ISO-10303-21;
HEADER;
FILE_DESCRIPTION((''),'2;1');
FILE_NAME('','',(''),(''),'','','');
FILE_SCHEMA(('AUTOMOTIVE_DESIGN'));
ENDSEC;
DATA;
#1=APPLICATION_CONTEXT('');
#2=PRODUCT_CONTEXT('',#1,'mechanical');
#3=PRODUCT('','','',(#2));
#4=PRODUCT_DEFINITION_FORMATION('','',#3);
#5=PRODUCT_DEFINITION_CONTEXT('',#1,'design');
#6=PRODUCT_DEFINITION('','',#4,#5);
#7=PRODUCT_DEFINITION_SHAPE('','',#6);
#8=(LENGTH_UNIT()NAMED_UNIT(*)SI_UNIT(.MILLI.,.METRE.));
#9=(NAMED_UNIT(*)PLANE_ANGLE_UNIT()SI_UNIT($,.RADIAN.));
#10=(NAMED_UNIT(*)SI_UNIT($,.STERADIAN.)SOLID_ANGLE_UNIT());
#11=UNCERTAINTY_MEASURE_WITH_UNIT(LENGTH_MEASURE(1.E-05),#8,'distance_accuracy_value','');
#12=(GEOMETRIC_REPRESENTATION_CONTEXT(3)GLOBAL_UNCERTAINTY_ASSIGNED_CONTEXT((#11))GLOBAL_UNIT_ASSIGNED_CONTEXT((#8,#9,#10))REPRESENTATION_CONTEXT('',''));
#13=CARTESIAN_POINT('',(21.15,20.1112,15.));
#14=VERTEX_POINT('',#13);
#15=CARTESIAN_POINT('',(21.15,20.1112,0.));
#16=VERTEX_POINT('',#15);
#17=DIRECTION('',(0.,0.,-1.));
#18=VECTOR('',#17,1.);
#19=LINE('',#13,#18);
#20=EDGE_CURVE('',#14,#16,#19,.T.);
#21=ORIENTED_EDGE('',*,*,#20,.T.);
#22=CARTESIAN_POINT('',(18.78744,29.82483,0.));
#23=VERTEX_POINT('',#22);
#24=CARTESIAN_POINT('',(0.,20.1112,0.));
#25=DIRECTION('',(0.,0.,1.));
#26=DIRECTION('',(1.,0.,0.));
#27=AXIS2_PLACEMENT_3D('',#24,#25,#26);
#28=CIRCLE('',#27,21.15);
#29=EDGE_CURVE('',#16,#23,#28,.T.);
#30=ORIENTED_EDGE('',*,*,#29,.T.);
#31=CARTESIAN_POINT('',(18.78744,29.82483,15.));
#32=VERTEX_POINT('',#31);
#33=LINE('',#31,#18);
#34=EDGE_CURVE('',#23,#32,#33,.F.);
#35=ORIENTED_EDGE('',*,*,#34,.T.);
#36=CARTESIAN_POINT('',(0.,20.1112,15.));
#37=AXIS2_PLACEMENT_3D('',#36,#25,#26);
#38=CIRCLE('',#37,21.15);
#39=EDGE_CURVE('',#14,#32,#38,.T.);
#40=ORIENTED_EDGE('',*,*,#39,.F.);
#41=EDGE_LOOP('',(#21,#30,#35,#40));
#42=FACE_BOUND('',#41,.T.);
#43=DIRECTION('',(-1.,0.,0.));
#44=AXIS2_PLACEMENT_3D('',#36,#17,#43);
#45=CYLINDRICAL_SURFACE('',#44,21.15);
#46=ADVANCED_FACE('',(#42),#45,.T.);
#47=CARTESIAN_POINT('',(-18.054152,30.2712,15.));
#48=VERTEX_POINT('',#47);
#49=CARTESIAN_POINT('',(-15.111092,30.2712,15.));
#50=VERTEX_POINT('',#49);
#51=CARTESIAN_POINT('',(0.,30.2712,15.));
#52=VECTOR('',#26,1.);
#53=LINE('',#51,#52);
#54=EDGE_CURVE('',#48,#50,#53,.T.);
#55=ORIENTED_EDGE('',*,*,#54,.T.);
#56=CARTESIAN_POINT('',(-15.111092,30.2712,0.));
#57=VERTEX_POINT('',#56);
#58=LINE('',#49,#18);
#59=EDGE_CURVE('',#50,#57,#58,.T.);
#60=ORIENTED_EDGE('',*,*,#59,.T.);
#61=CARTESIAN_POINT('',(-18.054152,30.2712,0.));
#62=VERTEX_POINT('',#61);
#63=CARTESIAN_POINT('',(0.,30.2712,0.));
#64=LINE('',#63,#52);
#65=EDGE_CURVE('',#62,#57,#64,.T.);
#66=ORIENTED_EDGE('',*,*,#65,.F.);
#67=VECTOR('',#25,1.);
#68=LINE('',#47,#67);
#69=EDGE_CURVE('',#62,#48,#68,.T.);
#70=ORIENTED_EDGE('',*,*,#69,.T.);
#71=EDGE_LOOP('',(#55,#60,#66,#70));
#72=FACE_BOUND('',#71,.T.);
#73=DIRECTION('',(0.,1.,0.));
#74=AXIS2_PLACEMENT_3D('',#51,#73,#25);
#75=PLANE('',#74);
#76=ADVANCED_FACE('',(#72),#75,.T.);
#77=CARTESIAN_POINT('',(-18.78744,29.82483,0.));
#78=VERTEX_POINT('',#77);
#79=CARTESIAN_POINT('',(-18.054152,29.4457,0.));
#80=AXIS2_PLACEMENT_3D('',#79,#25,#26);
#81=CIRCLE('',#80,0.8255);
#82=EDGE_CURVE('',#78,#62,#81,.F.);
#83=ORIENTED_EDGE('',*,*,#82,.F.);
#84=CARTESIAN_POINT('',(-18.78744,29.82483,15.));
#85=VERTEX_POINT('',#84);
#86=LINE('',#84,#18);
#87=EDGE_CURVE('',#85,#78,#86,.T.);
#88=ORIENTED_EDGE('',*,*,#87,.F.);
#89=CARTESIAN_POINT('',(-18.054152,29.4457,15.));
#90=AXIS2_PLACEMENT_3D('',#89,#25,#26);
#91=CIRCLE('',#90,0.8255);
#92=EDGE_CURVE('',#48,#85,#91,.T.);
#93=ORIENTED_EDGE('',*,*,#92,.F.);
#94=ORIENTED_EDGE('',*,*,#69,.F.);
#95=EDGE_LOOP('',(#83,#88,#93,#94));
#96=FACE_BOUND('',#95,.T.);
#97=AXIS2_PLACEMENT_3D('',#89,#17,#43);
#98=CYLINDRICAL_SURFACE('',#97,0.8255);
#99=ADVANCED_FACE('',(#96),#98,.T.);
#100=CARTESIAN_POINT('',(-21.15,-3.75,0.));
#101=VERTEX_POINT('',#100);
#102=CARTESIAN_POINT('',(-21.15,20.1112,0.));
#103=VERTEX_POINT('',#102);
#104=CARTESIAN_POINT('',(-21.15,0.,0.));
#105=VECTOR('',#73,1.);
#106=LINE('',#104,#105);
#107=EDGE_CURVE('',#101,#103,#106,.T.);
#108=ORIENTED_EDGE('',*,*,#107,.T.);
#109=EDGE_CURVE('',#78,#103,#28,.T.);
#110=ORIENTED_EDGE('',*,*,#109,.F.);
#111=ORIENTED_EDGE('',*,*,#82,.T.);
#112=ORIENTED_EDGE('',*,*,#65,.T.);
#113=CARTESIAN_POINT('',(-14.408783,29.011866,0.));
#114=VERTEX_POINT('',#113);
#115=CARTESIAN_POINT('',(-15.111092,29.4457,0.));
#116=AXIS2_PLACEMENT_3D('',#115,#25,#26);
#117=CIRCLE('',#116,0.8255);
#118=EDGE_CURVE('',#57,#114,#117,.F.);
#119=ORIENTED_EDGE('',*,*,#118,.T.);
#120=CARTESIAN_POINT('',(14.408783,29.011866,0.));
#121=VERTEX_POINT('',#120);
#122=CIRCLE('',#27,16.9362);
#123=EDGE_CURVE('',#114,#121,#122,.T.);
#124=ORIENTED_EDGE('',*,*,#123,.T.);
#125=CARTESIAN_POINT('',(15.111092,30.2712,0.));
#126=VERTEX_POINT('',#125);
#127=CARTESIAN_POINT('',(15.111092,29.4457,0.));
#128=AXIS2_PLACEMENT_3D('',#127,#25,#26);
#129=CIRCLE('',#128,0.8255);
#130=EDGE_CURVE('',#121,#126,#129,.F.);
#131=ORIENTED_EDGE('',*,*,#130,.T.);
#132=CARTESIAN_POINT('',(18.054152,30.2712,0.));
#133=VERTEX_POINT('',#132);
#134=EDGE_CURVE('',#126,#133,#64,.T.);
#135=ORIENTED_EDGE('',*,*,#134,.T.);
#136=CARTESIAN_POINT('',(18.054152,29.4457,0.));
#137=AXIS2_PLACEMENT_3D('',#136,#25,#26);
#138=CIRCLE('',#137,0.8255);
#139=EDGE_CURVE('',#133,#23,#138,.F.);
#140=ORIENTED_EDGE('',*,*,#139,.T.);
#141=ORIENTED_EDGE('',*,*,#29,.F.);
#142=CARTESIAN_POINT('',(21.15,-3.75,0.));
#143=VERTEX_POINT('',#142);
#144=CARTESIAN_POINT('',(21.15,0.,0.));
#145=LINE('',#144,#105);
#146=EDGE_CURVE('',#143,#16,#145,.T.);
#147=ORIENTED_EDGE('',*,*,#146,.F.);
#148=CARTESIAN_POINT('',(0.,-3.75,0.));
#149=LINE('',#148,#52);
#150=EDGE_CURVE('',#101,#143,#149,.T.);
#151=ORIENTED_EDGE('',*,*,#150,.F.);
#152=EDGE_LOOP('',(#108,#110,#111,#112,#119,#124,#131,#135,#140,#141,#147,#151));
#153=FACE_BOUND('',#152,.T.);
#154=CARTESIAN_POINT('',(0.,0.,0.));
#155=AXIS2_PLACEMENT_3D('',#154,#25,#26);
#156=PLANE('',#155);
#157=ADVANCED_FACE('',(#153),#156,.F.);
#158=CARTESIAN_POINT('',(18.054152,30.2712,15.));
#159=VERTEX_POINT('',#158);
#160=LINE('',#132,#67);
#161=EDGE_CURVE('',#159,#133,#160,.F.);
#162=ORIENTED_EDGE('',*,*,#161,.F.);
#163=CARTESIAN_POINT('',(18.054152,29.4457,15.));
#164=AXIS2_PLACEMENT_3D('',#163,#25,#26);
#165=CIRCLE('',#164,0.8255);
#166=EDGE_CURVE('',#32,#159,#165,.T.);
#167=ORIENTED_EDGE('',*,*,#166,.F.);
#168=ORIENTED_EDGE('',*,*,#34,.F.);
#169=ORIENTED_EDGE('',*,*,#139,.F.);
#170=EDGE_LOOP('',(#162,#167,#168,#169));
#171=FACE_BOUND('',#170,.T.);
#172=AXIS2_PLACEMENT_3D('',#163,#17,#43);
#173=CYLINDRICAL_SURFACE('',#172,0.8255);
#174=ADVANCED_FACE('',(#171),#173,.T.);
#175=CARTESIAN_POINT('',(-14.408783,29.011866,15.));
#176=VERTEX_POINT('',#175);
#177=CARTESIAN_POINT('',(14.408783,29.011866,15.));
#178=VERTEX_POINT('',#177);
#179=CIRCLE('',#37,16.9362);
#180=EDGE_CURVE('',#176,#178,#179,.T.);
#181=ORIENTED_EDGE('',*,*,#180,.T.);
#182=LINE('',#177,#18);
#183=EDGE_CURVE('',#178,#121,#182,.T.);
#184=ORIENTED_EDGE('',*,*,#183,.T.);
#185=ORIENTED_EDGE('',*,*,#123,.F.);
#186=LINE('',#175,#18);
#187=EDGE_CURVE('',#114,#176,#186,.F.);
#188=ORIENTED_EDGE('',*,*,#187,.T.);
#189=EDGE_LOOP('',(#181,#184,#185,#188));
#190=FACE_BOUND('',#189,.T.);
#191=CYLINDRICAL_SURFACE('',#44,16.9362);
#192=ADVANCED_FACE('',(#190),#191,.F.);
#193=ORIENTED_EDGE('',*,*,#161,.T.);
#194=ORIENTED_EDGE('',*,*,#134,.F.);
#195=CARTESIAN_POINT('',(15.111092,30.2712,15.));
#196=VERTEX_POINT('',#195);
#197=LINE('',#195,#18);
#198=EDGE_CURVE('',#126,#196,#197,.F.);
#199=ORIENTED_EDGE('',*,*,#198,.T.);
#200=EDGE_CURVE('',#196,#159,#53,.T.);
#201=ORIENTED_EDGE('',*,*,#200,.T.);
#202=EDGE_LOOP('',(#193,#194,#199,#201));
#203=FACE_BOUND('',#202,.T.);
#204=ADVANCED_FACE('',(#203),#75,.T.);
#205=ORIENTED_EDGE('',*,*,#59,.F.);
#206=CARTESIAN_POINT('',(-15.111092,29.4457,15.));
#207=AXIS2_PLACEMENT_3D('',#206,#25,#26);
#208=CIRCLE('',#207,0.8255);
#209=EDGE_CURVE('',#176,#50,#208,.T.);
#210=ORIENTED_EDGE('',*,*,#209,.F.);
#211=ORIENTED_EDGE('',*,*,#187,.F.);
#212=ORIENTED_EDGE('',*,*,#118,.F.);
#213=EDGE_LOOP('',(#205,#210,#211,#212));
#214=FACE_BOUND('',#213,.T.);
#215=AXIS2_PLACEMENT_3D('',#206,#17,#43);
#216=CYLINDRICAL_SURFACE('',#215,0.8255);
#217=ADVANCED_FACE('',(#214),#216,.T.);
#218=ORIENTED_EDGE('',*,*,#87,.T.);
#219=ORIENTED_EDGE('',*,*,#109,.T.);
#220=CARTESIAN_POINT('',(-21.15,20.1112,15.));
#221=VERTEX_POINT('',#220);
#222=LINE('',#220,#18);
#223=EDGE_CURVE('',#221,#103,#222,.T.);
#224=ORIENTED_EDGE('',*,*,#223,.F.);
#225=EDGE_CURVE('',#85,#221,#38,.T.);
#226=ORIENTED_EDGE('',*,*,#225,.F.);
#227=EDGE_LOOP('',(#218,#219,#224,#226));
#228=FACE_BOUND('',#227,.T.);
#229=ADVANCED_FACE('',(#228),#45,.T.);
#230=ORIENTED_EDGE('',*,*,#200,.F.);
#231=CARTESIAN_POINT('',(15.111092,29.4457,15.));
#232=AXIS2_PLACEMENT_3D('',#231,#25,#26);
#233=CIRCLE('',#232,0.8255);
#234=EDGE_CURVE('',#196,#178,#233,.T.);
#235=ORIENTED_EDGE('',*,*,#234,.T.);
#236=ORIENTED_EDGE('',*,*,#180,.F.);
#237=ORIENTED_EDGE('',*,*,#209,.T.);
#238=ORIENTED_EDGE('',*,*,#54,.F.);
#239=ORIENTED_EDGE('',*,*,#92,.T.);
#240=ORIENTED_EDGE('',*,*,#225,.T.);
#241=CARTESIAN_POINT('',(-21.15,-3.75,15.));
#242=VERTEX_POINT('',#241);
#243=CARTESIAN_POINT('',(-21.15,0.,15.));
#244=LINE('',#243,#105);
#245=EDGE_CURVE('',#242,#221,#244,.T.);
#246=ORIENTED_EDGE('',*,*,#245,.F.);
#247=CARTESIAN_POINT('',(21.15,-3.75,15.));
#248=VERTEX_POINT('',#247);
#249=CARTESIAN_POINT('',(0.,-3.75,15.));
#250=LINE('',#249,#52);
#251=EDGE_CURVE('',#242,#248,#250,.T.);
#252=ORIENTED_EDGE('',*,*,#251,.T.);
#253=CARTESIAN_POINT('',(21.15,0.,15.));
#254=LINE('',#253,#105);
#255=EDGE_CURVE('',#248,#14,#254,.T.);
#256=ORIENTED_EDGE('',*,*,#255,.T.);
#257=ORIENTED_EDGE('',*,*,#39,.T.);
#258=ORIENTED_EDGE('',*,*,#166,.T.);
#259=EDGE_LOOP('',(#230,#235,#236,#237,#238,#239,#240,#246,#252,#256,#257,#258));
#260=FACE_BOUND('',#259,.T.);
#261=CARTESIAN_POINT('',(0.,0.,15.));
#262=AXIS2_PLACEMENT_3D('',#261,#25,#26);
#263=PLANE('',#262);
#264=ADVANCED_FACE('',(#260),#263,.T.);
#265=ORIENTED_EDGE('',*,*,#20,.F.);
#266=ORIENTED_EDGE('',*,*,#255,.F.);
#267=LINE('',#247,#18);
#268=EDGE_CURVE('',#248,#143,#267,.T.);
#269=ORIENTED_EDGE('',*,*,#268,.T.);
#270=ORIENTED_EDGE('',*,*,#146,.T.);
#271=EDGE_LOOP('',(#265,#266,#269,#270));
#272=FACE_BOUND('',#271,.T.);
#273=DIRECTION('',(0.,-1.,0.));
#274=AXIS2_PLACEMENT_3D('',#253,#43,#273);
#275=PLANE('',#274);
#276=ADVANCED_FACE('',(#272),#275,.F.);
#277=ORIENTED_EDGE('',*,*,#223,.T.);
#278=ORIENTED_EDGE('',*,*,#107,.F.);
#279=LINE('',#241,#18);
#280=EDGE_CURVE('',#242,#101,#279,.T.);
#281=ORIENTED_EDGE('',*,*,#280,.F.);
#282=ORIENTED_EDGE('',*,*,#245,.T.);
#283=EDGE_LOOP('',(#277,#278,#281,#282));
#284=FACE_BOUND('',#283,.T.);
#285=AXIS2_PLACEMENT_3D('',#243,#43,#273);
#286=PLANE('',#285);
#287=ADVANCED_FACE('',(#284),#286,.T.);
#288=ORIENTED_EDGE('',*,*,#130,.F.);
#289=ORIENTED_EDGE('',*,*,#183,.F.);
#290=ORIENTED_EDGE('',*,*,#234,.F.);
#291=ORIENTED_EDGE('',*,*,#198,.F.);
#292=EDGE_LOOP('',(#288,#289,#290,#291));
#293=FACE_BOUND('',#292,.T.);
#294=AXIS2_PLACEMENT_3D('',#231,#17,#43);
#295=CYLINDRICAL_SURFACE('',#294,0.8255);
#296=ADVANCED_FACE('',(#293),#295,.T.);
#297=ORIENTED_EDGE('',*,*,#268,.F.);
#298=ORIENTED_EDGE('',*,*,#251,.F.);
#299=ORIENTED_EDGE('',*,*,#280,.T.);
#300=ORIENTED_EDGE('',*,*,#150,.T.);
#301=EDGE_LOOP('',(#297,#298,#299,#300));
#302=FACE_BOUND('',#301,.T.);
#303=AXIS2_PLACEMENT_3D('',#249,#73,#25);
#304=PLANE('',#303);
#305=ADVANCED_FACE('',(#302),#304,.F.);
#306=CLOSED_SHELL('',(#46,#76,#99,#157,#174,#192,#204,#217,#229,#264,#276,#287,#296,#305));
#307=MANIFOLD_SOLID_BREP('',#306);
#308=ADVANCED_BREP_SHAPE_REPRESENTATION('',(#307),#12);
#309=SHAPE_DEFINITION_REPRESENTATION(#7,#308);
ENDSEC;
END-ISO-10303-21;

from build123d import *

# Parameters (mm, degrees)
SKETCH1_W           = 42.3
SKETCH1_H           = 3.75
BOSS_EXTRUDE1_DEPTH = 15
FILLET1_R           = 0.8255


with BuildPart() as part:
    # Sketch1 → Boss-Extrude1 (new body)
    with BuildSketch(Plane.XY):
        with BuildLine():
            Line((21.15, 0), (21.15, 20.111200005))
            ThreePointArc((21.15, 20.111200005), (20.489653579, 25.354919699), (18.549849056, 30.271200005))
            Line((18.549849056, 30.271200005), (13.550249835, 30.271200005))
            ThreePointArc((13.550249835, 30.271200005), (0, 3.175), (-13.550249835, 30.271200005))
            Line((-13.550249835, 30.271200005), (-18.549849056, 30.271200005))
            ThreePointArc((-18.549849056, 30.271200005), (-20.489653579, 25.354919699), (-21.15, 20.111200005))
            Line((-21.15, 20.111200005), (-21.15, 0))
            Line((-21.15, 0), (21.15, 0))
        make_face()
        with Locations((0, -1.875)):
            Rectangle(SKETCH1_W, SKETCH1_H)
    extrude(amount=BOSS_EXTRUDE1_DEPTH)

    # Fillet1
    fillet1_edges = [part.edges().sort_by_distance(p)[0] for p in [
        (-18.549849056, 30.271200005, 7.5),
        (-13.550249835, 30.271200005, 7.5),
        (13.550249835, 30.271200005, 7.5),
        (18.549849056, 30.271200005, 7.5),
    ]]
    fillet(fillet1_edges, radius=FILLET1_R)


solid = part.part
